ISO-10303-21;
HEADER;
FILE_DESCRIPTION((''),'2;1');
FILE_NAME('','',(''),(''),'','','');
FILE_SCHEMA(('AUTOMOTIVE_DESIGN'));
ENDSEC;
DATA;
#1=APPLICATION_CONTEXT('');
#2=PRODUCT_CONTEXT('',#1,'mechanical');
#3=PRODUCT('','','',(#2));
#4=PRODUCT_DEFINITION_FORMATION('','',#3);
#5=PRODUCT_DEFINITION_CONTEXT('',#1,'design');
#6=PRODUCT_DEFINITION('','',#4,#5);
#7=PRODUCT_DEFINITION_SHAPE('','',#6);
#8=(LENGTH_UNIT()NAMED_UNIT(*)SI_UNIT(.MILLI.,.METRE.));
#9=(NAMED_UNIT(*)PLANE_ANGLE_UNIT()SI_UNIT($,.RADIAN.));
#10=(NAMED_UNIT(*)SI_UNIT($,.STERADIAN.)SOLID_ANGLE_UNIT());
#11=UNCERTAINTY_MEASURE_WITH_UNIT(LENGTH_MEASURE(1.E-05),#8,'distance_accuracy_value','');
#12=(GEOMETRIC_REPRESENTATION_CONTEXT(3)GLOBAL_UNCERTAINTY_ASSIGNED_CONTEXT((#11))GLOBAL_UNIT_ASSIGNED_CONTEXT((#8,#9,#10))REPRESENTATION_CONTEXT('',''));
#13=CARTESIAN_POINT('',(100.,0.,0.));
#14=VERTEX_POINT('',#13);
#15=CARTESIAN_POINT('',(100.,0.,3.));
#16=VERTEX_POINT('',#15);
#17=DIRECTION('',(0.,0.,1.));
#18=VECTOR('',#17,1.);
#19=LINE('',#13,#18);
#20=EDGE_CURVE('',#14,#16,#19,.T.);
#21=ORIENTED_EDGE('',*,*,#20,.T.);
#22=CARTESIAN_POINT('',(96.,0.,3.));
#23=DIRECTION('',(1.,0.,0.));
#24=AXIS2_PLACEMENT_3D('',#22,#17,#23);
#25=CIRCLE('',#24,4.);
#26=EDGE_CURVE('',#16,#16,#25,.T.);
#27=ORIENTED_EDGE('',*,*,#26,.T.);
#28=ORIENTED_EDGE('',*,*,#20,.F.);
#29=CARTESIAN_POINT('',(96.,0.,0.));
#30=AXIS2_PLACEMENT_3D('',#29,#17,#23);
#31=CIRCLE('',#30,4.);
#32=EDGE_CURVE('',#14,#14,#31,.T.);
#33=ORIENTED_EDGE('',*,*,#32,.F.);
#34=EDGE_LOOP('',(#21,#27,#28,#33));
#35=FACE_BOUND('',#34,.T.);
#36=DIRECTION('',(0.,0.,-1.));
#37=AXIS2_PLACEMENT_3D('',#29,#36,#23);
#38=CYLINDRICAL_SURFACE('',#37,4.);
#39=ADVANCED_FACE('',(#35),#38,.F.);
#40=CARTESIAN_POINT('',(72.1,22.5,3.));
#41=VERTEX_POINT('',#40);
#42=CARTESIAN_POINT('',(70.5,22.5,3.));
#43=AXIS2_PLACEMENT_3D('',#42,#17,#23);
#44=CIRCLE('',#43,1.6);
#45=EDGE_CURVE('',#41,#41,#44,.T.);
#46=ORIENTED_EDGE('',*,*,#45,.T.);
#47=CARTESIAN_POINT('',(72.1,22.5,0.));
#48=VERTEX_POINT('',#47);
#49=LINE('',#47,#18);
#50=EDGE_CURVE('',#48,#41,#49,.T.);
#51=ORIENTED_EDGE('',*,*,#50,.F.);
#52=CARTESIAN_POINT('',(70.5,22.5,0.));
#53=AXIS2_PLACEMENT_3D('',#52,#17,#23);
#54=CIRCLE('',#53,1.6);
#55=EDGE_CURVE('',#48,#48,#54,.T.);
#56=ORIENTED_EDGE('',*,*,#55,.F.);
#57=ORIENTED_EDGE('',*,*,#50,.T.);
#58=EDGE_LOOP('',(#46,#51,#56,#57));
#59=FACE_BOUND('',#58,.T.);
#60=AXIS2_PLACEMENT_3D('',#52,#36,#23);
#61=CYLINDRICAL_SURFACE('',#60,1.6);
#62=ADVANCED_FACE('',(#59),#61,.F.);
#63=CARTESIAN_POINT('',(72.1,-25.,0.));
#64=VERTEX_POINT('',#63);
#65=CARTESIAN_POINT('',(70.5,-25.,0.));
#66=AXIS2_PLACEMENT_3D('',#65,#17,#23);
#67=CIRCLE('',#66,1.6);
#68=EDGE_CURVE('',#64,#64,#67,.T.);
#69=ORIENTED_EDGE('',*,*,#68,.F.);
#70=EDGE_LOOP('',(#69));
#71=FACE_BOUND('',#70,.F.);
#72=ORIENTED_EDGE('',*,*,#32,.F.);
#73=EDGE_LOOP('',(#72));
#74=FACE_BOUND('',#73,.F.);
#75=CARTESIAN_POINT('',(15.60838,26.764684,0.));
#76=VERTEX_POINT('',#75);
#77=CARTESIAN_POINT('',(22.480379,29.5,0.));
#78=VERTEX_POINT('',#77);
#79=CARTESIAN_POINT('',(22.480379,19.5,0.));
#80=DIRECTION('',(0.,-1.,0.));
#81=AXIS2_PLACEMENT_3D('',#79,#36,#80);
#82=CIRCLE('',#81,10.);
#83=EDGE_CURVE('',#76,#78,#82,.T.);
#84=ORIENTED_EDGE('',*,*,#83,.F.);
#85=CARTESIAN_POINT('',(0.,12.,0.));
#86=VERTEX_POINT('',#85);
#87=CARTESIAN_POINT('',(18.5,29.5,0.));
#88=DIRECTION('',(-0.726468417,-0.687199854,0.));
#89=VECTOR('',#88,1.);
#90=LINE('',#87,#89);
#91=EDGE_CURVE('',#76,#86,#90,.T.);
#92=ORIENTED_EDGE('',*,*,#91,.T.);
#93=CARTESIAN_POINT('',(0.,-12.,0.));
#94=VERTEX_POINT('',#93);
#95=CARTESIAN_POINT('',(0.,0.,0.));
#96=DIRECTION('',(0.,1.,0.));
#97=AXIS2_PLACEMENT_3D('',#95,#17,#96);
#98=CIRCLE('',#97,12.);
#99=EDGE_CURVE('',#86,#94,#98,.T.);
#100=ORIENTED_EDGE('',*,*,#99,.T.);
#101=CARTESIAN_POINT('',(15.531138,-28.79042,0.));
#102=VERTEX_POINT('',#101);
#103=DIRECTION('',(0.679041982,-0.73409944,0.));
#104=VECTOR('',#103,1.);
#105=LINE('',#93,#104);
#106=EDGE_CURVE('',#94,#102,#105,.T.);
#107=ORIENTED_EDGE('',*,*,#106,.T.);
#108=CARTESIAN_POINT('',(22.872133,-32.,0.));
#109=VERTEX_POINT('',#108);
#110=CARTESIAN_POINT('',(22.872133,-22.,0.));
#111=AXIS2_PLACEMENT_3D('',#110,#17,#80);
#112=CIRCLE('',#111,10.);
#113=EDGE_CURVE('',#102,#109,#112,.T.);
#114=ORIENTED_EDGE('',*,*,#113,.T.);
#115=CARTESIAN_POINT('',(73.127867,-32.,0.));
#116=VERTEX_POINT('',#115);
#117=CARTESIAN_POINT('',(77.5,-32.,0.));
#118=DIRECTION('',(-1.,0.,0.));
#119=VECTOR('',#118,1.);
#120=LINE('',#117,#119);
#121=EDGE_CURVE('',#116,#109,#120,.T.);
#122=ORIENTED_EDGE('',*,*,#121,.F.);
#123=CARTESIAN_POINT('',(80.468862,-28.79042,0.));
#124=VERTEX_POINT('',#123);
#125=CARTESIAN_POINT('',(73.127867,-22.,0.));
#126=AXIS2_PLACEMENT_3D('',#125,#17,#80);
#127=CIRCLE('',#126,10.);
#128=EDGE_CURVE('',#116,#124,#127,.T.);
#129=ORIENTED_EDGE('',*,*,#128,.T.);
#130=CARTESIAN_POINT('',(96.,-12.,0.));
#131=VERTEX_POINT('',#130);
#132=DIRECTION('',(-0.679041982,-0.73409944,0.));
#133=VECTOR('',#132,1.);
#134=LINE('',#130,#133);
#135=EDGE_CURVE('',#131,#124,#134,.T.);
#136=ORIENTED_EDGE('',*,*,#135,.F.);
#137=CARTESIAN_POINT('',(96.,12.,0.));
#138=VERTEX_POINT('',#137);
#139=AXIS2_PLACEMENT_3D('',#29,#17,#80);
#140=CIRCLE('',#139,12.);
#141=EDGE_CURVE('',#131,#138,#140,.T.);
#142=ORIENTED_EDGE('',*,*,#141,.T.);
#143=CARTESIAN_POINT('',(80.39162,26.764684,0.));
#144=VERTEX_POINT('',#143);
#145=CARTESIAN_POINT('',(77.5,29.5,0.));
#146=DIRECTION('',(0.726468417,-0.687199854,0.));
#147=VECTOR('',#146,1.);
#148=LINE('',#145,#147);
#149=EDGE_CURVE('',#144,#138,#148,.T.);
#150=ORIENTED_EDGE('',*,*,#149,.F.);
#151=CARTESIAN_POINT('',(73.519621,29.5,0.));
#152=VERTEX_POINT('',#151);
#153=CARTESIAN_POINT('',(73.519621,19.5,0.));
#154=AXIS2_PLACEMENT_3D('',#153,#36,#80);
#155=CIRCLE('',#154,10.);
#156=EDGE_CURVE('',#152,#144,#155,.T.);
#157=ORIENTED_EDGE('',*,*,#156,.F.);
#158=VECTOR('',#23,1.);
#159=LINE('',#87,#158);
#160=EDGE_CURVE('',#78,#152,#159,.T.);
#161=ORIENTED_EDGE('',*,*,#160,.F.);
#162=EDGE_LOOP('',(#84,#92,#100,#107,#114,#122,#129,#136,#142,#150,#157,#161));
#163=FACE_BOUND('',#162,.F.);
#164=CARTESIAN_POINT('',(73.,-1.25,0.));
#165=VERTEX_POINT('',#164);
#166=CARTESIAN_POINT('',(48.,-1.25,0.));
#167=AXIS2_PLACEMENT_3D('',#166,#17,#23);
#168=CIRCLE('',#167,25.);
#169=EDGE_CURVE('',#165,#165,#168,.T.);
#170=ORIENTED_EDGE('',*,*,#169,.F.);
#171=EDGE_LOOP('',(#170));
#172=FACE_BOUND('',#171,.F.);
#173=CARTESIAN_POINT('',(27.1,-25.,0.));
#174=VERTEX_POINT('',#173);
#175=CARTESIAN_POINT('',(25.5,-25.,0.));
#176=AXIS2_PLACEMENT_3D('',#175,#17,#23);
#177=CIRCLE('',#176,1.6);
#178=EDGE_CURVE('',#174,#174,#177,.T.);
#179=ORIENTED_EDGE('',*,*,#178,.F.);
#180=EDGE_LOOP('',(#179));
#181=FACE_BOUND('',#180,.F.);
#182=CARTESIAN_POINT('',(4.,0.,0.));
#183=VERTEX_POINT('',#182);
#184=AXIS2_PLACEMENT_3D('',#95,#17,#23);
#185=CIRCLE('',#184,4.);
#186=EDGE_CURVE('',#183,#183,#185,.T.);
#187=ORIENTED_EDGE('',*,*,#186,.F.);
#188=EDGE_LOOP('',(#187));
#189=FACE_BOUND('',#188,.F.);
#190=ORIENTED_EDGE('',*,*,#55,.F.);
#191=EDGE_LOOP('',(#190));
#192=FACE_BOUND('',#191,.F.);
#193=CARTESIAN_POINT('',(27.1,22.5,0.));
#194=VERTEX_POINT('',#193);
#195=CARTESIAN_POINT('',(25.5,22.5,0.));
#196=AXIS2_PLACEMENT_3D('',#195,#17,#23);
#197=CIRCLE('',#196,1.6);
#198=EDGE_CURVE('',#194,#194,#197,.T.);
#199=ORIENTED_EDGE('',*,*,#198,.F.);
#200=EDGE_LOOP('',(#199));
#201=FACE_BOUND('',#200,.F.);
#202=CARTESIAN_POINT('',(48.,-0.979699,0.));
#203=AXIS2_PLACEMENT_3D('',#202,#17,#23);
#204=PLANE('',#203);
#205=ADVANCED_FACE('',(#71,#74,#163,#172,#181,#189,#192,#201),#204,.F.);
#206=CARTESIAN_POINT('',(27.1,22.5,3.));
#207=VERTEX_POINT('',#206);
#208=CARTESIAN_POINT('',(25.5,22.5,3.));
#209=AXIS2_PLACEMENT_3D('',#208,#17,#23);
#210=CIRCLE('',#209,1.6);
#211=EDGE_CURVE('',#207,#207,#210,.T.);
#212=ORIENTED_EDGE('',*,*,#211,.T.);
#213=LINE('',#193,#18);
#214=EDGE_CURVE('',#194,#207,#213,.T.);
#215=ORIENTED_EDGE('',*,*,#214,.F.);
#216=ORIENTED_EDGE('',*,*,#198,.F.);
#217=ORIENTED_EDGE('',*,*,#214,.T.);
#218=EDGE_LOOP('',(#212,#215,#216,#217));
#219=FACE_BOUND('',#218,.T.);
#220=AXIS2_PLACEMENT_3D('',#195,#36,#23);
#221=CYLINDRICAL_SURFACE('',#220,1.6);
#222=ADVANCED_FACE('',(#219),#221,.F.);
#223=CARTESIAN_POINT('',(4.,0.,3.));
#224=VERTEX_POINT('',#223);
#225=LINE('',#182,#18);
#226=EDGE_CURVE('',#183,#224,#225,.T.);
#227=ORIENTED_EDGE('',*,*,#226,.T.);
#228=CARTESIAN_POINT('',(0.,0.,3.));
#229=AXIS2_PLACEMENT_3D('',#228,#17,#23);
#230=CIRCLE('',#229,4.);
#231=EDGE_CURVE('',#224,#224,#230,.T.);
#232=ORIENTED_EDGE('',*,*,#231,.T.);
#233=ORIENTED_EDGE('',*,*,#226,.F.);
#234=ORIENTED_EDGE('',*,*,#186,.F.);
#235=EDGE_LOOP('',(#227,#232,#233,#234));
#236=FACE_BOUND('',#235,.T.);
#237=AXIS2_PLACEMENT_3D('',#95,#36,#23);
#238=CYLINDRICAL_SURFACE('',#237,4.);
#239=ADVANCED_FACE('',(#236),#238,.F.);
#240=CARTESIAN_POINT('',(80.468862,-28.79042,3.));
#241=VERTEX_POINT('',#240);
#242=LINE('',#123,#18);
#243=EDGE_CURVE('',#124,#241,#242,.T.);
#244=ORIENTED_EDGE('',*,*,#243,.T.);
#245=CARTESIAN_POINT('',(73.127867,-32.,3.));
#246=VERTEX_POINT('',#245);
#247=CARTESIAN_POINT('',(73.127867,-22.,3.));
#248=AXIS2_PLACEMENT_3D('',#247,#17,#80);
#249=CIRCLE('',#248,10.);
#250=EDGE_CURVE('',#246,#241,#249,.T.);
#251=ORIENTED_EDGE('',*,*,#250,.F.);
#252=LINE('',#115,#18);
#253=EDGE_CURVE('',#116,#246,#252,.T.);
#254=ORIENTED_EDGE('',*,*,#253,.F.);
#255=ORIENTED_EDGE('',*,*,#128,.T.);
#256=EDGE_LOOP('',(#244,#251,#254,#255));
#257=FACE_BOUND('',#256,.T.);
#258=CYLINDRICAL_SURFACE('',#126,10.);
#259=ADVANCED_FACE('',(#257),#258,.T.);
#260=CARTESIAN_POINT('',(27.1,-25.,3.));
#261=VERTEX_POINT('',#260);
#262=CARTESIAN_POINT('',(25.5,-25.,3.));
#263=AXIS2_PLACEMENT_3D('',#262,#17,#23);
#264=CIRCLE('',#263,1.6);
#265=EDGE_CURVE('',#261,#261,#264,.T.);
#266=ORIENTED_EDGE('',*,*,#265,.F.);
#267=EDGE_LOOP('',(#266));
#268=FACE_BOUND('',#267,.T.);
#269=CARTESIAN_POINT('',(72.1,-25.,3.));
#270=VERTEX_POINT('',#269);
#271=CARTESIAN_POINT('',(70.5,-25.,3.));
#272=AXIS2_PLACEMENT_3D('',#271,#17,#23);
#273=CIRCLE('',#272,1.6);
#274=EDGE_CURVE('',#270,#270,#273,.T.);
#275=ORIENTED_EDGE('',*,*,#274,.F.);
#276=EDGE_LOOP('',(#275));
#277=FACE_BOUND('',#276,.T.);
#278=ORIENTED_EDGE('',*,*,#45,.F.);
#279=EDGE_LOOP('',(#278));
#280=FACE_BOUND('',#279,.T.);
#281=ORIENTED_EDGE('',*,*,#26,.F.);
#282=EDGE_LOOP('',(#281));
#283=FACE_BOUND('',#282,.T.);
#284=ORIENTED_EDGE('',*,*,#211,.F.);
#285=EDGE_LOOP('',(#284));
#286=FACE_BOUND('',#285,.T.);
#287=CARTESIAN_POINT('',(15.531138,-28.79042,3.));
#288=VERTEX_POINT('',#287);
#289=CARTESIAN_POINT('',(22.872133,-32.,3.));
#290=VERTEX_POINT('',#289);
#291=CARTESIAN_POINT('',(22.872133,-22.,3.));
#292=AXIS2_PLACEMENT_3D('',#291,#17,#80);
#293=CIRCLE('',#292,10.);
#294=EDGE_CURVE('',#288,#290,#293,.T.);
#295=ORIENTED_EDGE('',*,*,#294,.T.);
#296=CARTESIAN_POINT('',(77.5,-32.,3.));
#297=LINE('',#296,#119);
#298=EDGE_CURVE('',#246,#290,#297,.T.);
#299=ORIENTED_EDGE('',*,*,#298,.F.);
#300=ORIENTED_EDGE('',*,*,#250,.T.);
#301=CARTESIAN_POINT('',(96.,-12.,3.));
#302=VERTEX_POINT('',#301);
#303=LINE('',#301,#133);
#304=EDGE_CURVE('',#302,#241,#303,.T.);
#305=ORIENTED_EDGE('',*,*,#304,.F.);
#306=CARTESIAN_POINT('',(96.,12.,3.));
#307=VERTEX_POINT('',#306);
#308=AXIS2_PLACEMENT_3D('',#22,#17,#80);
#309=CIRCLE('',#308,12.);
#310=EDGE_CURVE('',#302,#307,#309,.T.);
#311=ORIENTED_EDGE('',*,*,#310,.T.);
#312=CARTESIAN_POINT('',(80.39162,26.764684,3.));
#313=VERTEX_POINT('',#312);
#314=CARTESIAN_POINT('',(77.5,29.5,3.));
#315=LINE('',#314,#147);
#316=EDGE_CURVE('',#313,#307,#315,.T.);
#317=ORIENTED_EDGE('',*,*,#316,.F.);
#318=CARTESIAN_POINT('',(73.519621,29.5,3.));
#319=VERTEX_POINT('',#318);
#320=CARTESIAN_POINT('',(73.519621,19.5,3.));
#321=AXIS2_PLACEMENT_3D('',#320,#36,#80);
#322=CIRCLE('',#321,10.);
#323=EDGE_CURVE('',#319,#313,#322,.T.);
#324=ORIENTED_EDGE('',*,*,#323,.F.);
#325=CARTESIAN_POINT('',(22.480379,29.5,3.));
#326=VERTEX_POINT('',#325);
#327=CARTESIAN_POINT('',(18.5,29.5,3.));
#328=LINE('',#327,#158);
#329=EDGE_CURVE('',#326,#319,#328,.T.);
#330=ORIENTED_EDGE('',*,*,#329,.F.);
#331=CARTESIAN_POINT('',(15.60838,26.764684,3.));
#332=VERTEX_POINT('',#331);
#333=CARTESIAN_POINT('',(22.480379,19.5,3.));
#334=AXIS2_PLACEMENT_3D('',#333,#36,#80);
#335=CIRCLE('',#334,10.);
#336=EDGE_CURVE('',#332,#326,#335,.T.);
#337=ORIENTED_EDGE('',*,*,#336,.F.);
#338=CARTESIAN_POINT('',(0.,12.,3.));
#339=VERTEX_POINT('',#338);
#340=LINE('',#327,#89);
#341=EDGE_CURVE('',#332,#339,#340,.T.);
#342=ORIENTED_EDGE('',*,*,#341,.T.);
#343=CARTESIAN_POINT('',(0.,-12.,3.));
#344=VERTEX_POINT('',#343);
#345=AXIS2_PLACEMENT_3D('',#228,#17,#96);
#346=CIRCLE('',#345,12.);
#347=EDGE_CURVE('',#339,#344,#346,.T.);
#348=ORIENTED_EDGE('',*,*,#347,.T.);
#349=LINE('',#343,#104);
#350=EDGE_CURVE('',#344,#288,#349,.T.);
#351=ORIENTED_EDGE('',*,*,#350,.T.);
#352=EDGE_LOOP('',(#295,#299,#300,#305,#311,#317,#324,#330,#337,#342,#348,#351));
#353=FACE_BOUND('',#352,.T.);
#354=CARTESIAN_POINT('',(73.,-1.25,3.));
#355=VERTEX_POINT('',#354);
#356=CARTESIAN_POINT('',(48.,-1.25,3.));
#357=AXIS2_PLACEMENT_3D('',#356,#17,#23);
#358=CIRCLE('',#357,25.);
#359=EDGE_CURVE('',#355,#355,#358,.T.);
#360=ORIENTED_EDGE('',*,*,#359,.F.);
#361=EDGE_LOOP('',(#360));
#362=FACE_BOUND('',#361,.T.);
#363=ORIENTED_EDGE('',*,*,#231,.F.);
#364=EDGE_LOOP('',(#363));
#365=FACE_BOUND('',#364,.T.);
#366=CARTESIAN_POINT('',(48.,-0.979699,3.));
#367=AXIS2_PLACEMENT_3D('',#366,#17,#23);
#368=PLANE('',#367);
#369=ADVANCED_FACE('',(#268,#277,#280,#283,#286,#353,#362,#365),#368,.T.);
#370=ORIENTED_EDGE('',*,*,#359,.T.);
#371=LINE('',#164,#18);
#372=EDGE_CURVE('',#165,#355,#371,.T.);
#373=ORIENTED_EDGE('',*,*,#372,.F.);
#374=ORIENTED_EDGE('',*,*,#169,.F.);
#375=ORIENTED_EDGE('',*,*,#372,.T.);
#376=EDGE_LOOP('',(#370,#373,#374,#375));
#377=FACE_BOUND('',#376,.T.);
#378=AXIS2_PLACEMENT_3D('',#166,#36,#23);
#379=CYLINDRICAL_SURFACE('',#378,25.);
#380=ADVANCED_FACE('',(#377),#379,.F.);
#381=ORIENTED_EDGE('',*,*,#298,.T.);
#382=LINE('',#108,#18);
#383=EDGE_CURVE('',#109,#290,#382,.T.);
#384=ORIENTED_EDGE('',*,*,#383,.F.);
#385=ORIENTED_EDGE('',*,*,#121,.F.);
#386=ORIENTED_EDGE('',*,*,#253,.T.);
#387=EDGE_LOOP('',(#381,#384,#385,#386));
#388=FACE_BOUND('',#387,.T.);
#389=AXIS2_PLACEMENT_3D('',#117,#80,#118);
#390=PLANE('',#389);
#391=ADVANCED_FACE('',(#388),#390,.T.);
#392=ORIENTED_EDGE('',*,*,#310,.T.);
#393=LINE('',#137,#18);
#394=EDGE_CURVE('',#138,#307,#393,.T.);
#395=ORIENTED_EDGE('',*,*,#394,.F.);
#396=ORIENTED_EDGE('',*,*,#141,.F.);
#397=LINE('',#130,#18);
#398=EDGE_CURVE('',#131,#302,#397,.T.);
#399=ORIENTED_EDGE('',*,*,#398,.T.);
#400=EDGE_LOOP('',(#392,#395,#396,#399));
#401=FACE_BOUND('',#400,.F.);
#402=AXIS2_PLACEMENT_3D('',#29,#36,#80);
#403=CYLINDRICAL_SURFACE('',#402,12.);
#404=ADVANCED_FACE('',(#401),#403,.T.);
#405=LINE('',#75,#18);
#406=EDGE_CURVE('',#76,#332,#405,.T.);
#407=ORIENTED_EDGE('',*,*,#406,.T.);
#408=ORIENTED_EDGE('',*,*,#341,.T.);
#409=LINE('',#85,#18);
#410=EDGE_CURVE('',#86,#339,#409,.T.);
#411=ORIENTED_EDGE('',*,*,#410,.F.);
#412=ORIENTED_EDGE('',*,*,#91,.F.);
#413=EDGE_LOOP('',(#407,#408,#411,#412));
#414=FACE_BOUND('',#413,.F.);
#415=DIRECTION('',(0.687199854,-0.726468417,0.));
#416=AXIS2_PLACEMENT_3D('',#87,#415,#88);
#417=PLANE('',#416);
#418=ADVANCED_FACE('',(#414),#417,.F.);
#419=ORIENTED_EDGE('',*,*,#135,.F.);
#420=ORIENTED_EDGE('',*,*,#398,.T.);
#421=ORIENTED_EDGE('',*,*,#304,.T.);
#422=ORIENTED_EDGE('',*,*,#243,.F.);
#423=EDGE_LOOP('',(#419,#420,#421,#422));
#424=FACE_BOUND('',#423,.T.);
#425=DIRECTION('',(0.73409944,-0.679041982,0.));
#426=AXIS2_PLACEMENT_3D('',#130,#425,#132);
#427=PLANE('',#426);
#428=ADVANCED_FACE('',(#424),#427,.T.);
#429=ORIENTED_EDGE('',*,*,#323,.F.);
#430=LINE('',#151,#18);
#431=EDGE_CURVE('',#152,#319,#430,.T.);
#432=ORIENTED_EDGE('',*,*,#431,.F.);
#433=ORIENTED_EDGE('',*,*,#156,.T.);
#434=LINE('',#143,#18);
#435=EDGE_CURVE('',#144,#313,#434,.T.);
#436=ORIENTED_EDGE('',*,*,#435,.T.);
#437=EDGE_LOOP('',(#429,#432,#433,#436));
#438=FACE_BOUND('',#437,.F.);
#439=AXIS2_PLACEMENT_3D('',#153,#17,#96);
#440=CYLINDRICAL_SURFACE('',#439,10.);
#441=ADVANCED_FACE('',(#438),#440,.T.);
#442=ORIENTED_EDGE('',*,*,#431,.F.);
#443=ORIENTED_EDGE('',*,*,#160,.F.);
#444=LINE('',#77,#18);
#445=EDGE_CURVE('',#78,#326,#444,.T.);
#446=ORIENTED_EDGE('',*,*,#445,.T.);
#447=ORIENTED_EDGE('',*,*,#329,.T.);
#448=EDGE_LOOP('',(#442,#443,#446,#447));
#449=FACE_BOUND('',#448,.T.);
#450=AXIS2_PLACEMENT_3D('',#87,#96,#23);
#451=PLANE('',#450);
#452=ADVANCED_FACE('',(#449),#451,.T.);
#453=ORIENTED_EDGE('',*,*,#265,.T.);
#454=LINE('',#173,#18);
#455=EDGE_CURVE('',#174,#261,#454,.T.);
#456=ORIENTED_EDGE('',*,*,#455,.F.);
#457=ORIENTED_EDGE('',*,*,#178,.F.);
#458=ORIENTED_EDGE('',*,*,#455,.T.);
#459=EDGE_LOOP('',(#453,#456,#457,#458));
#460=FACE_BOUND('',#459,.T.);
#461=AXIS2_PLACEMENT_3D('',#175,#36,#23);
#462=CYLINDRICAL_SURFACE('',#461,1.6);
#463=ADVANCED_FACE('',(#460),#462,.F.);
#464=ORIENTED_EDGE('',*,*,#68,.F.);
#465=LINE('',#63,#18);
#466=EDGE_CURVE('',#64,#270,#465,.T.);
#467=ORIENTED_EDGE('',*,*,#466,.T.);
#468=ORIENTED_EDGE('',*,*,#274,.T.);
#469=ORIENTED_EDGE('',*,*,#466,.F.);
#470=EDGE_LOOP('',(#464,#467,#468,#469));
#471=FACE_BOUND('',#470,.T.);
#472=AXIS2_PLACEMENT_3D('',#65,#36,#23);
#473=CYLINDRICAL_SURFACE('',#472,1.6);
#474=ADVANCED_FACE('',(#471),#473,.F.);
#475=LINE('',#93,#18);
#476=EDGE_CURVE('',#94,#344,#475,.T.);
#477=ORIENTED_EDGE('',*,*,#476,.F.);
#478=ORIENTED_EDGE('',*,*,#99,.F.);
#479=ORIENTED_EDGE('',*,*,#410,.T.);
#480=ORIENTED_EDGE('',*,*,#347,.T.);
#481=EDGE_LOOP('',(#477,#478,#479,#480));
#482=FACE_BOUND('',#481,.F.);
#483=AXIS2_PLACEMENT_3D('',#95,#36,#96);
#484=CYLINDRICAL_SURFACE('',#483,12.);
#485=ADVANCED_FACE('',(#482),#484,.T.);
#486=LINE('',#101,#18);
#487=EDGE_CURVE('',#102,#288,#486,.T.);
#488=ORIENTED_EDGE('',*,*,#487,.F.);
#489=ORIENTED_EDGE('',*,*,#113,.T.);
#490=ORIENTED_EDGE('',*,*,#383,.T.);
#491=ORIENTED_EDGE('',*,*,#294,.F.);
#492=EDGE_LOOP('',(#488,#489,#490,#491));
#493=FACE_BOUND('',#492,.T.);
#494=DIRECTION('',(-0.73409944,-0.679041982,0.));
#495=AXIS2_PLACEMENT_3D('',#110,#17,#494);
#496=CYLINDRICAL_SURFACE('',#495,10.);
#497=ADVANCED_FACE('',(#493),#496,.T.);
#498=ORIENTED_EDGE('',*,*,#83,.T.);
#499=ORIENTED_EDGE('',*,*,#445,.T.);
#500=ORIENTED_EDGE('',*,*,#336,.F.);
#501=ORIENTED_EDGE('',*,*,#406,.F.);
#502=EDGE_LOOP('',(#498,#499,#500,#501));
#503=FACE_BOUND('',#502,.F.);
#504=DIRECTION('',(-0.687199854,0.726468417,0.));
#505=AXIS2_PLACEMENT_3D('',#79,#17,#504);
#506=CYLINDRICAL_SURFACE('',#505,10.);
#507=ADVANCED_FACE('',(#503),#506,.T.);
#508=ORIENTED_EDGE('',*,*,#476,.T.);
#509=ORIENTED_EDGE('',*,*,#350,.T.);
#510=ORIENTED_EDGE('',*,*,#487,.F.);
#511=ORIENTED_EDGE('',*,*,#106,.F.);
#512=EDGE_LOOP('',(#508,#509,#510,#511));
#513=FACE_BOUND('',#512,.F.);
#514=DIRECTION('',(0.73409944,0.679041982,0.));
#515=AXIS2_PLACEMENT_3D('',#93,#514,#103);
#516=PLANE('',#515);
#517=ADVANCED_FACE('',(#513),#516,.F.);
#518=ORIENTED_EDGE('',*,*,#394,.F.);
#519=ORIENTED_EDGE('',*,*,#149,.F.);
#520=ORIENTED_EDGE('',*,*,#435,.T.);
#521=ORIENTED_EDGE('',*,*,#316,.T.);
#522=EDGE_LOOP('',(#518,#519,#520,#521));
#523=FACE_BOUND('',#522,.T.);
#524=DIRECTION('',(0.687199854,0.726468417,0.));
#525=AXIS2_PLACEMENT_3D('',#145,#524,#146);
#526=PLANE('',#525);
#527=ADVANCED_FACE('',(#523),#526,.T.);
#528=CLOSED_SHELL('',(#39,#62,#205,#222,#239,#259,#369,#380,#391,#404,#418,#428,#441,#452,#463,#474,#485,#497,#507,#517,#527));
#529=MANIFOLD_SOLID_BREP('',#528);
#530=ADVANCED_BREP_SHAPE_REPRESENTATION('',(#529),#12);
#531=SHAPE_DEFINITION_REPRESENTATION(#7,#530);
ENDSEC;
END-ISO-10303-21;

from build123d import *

# Parameters (mm, degrees)
SKETCH_R   = 4
SKETCH_R_2 = 1.6
SKETCH_R_3 = 25
PAD_DEPTH  = 3
FILLET_R   = 10


with BuildPart() as part:
    # Sketch → Pad (new body)
    with BuildSketch(Plane.XY):
        with BuildLine():
            ThreePointArc((0, 12), (-12, 0), (0, -12))
            Line((0, -12), (18.5, -32))
            Line((77.5, -32), (18.5, -32))
            Line((96, -12), (77.5, -32))
            ThreePointArc((96, -12), (108, 0), (96, 12))
            Line((77.5, 29.5), (96, 12))
            Line((18.5, 29.5), (77.5, 29.5))
            Line((18.5, 29.5), (0, 12))
        make_face()
        Circle(SKETCH_R, mode=Mode.SUBTRACT)
        with Locations((96, 0)):
            Circle(SKETCH_R, mode=Mode.SUBTRACT)
        with Locations((25.5, -25)):
            Circle(SKETCH_R_2, mode=Mode.SUBTRACT)
        with Locations((70.5, -25)):
            Circle(SKETCH_R_2, mode=Mode.SUBTRACT)
        with Locations((25.5, 22.5)):
            Circle(SKETCH_R_2, mode=Mode.SUBTRACT)
        with Locations((70.5, 22.5)):
            Circle(SKETCH_R_2, mode=Mode.SUBTRACT)
        with Locations((48, -1.25)):
            Circle(SKETCH_R_3, mode=Mode.SUBTRACT)
    extrude(amount=PAD_DEPTH)

    # Fillet
    fillet_edges = [part.edges().sort_by_distance(p)[0] for p in [
        (77.5, -32, 1.5),
        (18.5, -32, 1.5),
        (77.5, 29.5, 1.5),
        (18.5, 29.5, 1.5),
    ]]
    fillet(fillet_edges, radius=FILLET_R)


solid = part.part
